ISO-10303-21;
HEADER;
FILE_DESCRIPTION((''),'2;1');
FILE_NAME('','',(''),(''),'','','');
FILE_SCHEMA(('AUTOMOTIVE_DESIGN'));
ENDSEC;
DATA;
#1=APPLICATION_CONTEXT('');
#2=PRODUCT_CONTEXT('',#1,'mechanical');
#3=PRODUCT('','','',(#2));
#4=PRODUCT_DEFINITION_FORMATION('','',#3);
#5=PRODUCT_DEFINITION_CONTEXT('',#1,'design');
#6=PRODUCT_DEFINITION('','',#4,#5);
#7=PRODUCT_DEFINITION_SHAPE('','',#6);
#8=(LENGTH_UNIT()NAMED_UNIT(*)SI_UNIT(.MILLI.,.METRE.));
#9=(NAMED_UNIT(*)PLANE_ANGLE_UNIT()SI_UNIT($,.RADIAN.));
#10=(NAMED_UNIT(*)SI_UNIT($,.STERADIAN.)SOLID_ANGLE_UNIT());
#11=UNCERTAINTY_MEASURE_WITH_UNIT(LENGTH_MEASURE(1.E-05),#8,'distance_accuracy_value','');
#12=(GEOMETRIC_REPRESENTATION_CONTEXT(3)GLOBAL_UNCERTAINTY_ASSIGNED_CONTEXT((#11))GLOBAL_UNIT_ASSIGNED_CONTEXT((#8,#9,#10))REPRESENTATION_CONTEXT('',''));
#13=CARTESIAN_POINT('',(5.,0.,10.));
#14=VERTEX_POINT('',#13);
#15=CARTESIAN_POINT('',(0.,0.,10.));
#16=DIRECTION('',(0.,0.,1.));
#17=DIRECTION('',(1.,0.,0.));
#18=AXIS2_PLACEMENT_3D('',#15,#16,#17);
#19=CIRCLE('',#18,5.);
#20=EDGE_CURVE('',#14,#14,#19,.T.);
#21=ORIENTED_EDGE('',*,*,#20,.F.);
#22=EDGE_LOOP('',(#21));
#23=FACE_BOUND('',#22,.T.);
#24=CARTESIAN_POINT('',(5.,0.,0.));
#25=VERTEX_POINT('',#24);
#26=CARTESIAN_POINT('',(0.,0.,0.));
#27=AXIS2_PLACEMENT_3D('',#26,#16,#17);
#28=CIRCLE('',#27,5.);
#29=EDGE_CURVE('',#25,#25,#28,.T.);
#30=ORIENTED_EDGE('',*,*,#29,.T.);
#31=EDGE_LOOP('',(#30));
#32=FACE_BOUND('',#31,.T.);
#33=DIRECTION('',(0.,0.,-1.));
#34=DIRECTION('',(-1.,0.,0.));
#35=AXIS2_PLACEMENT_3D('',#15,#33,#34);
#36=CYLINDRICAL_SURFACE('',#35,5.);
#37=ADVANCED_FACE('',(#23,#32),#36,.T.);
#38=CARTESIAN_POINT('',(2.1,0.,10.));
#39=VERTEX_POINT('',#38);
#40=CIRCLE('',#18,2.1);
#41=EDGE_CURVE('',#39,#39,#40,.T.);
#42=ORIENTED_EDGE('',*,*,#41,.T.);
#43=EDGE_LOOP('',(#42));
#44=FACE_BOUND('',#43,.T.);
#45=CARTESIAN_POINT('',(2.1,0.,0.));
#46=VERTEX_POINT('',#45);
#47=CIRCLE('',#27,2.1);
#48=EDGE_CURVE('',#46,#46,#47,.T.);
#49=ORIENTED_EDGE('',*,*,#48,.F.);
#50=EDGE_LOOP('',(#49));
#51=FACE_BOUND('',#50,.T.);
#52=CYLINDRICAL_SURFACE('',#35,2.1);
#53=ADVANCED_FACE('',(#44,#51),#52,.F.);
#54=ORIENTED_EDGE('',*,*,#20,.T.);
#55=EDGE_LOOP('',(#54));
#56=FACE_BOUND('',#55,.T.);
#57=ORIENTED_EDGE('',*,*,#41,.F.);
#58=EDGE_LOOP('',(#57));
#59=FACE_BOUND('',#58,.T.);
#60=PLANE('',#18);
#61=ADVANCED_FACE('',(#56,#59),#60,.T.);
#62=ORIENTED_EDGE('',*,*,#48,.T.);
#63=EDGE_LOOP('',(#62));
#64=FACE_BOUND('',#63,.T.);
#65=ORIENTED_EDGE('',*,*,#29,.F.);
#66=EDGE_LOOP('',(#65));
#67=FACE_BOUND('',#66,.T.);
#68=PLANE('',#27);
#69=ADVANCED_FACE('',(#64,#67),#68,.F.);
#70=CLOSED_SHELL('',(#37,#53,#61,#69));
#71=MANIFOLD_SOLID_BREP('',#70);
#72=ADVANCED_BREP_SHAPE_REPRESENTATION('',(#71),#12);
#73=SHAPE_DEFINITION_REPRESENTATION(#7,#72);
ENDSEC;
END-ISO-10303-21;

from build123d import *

# Parameters (mm, degrees)
SKETCH_1_R      = 5
SKETCH_1_R_2    = 2.1
EXTRUDE_1_DEPTH = 10


with BuildPart() as part:
    # ｽｹｯﾁ1 → ﾎﾞｽ - 押し出し1 (new body)
    with BuildSketch(Plane.XY):
        Circle(SKETCH_1_R)
        Circle(SKETCH_1_R_2, mode=Mode.SUBTRACT)
    extrude(amount=EXTRUDE_1_DEPTH)


solid = part.part
